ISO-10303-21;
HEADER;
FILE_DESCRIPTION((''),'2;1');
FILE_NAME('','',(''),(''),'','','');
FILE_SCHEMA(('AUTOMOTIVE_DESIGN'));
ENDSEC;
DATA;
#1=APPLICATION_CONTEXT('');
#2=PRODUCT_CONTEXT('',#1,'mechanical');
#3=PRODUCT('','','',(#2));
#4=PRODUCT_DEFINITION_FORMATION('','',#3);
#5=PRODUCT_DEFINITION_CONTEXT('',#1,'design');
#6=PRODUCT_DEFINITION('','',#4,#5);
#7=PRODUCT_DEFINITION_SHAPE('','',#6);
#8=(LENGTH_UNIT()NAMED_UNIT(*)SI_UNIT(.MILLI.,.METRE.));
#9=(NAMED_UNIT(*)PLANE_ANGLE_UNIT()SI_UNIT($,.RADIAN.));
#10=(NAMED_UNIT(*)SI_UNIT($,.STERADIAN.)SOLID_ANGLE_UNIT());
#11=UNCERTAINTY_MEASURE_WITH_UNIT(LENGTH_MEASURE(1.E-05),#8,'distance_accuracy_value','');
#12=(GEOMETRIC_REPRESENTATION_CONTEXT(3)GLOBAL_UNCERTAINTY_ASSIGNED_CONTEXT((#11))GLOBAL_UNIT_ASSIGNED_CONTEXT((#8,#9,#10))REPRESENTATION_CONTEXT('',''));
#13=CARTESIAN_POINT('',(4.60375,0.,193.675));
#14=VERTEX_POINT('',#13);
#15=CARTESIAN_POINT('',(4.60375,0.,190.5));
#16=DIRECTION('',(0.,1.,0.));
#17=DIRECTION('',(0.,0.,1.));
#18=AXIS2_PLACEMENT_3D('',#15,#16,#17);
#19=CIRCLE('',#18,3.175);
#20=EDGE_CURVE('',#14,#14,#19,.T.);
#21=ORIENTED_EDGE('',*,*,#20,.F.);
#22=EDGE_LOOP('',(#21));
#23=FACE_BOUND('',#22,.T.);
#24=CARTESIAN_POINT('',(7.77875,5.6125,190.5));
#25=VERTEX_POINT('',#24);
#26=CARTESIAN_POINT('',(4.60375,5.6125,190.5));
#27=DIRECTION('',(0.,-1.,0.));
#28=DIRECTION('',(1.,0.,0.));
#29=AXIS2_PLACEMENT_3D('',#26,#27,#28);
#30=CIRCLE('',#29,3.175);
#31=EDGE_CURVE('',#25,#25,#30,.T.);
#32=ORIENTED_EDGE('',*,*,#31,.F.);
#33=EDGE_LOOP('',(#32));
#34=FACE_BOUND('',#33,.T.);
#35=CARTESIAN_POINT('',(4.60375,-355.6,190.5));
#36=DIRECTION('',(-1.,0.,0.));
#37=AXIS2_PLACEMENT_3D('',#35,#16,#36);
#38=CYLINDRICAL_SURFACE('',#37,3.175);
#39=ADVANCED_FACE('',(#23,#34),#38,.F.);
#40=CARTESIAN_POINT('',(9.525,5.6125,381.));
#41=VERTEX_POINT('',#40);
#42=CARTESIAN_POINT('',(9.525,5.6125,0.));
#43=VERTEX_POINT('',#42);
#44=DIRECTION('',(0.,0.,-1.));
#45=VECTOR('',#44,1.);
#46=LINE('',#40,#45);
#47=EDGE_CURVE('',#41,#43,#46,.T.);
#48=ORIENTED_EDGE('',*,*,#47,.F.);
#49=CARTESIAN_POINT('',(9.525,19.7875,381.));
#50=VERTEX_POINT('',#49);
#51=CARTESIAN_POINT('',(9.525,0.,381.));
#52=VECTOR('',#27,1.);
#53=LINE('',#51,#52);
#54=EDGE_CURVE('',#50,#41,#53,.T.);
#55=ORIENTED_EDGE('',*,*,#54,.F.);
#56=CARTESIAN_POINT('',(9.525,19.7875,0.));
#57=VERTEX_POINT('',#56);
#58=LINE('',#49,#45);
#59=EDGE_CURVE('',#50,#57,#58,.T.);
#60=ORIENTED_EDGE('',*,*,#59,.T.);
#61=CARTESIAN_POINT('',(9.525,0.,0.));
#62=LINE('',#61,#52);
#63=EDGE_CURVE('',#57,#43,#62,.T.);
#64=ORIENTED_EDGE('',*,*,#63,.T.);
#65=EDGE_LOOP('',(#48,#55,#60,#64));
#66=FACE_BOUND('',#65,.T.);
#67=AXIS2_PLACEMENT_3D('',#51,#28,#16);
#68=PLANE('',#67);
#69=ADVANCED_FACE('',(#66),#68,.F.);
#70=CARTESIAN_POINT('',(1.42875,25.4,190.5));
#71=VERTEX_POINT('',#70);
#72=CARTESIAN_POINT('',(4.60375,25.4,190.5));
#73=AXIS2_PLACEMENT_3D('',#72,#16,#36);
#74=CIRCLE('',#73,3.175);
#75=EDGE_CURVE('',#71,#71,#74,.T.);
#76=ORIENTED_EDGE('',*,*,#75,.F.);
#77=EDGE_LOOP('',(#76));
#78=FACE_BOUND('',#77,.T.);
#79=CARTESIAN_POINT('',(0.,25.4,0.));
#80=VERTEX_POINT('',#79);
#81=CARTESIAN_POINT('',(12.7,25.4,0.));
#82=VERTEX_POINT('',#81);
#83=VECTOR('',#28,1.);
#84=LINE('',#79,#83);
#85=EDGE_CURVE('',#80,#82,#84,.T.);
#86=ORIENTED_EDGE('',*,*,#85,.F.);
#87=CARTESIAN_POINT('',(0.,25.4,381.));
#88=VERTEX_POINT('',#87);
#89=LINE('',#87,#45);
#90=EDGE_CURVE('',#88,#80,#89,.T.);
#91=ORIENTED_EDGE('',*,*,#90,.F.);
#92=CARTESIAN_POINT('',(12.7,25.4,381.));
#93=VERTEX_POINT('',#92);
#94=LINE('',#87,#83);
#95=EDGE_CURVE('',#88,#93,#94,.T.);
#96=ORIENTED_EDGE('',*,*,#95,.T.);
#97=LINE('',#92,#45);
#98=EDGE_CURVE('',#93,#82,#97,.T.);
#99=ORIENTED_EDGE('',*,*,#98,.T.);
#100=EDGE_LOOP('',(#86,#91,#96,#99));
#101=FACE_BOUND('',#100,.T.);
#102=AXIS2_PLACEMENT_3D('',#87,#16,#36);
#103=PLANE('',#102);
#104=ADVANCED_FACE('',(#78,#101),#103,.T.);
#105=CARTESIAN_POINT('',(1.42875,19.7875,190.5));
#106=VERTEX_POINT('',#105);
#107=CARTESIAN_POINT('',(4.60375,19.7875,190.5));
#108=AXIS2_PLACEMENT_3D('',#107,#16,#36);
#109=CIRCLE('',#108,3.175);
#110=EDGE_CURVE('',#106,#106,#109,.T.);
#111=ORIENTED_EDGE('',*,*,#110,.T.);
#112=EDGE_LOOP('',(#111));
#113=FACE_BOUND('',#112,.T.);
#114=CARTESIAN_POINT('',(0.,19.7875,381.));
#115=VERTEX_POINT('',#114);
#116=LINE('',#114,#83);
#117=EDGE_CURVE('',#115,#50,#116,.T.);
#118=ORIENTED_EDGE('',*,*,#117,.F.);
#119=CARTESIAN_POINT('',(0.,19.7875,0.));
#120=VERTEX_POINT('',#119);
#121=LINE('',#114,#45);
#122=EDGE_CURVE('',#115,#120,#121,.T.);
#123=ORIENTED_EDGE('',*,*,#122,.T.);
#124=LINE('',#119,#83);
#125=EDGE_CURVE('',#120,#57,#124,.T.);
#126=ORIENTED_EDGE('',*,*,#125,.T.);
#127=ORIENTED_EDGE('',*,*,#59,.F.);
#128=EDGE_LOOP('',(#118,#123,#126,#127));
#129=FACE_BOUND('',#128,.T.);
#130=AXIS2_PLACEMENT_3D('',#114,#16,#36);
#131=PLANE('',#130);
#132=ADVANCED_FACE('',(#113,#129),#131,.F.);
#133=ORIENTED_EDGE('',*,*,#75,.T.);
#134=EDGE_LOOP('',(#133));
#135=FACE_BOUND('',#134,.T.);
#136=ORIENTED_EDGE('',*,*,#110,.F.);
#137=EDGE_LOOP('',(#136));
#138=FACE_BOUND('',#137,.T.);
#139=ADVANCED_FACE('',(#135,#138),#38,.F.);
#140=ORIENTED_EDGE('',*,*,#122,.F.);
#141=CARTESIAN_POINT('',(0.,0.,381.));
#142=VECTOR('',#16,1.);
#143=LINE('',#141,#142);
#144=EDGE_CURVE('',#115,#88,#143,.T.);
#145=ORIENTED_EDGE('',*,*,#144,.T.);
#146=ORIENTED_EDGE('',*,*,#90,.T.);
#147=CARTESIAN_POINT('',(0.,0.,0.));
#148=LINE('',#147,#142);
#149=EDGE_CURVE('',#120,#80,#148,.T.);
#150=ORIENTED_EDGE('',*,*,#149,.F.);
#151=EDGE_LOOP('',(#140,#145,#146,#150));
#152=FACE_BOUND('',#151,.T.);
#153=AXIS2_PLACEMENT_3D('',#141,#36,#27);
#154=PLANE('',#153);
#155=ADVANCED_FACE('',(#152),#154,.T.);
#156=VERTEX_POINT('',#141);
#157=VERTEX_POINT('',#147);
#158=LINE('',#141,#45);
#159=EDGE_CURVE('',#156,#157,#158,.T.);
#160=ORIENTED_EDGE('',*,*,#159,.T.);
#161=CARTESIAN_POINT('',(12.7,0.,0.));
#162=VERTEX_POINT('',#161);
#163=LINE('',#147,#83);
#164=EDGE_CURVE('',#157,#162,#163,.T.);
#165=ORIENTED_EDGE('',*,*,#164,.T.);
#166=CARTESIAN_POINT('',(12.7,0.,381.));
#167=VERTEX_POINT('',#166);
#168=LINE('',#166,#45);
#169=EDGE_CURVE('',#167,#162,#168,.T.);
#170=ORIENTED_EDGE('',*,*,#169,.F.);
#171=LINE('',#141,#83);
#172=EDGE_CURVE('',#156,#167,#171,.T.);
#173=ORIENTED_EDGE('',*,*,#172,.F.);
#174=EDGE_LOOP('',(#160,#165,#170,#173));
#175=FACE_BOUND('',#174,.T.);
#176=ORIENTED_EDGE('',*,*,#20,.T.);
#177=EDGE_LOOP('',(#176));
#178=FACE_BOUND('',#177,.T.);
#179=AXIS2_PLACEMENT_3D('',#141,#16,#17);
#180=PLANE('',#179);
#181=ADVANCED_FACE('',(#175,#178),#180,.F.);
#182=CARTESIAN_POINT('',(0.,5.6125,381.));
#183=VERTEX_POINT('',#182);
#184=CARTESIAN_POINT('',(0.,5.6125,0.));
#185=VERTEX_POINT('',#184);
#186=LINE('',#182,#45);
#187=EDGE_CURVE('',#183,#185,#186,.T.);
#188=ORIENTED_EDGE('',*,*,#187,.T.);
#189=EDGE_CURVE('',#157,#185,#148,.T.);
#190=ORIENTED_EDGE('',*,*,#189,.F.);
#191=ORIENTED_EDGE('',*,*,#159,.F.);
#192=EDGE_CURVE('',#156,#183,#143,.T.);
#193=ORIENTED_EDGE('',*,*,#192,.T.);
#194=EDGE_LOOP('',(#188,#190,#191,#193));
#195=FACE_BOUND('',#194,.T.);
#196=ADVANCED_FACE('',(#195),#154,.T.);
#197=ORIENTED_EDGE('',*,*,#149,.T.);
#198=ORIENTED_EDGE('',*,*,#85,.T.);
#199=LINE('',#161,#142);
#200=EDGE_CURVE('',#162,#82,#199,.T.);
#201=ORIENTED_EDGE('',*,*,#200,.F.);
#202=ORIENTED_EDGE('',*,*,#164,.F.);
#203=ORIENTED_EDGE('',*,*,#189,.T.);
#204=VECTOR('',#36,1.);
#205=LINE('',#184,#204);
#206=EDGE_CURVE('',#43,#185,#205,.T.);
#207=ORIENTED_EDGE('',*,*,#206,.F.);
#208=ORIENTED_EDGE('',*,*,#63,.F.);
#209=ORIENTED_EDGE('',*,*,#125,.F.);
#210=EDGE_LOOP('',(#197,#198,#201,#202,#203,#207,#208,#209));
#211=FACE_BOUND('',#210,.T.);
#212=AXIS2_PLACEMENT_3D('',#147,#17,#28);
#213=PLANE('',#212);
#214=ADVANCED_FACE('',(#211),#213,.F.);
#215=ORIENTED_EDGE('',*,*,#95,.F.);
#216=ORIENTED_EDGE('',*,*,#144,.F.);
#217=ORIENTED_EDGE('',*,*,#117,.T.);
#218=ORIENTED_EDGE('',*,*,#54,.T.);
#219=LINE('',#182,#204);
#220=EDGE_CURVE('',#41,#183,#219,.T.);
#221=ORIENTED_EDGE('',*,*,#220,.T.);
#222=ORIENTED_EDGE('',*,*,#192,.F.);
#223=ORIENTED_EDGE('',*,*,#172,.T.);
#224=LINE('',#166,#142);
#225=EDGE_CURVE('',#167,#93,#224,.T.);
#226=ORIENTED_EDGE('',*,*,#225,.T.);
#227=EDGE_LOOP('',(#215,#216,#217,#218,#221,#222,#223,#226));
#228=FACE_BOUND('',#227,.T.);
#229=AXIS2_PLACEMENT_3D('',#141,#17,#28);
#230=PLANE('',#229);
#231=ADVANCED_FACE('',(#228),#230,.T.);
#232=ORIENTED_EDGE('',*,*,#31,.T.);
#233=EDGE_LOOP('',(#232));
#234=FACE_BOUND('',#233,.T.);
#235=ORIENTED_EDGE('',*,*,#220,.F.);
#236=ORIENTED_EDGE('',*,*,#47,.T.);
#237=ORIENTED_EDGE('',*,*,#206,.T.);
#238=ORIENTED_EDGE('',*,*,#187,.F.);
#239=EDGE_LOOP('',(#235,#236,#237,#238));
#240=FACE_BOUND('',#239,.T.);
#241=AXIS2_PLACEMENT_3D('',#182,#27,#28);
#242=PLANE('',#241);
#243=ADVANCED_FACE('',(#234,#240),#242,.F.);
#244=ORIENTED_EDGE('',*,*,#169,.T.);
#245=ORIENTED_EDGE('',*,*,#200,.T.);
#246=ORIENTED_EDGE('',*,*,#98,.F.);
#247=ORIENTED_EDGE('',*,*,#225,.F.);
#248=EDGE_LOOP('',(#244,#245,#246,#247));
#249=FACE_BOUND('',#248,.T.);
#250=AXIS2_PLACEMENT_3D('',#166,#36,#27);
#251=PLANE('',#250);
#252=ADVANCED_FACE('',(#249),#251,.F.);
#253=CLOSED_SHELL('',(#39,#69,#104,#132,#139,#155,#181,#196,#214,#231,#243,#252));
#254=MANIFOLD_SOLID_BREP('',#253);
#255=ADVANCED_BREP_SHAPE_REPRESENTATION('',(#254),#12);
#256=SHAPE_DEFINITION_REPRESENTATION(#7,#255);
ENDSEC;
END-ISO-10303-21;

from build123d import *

# Parameters (mm, degrees)
BOSS_EXTRUDE1_DEPTH = 381
SKETCH2_R           = 3.175
CUT_EXTRUDE1_DEPTH  = 381


with BuildPart() as part:
    # Sketch1 → Boss-Extrude1 (new body)
    with BuildSketch(Plane.XY):
        Polygon((0, 25.4), (0, 19.787500049), (9.525, 19.787500049), (9.525, 5.612499951), (0, 5.612499951), (0, 0), (12.7, 0), (12.7, 25.4), align=None)
    extrude(amount=BOSS_EXTRUDE1_DEPTH)

    # Sketch2 → Cut-Extrude1 (cut)
    with BuildSketch(Plane(origin=(0, 25.4, 0), x_dir=(1, 0, 0), z_dir=(0, 1, 0))):
        with Locations((4.60375, -190.5)):
            Circle(SKETCH2_R)
    extrude(amount=-CUT_EXTRUDE1_DEPTH, mode=Mode.SUBTRACT)


solid = part.part
